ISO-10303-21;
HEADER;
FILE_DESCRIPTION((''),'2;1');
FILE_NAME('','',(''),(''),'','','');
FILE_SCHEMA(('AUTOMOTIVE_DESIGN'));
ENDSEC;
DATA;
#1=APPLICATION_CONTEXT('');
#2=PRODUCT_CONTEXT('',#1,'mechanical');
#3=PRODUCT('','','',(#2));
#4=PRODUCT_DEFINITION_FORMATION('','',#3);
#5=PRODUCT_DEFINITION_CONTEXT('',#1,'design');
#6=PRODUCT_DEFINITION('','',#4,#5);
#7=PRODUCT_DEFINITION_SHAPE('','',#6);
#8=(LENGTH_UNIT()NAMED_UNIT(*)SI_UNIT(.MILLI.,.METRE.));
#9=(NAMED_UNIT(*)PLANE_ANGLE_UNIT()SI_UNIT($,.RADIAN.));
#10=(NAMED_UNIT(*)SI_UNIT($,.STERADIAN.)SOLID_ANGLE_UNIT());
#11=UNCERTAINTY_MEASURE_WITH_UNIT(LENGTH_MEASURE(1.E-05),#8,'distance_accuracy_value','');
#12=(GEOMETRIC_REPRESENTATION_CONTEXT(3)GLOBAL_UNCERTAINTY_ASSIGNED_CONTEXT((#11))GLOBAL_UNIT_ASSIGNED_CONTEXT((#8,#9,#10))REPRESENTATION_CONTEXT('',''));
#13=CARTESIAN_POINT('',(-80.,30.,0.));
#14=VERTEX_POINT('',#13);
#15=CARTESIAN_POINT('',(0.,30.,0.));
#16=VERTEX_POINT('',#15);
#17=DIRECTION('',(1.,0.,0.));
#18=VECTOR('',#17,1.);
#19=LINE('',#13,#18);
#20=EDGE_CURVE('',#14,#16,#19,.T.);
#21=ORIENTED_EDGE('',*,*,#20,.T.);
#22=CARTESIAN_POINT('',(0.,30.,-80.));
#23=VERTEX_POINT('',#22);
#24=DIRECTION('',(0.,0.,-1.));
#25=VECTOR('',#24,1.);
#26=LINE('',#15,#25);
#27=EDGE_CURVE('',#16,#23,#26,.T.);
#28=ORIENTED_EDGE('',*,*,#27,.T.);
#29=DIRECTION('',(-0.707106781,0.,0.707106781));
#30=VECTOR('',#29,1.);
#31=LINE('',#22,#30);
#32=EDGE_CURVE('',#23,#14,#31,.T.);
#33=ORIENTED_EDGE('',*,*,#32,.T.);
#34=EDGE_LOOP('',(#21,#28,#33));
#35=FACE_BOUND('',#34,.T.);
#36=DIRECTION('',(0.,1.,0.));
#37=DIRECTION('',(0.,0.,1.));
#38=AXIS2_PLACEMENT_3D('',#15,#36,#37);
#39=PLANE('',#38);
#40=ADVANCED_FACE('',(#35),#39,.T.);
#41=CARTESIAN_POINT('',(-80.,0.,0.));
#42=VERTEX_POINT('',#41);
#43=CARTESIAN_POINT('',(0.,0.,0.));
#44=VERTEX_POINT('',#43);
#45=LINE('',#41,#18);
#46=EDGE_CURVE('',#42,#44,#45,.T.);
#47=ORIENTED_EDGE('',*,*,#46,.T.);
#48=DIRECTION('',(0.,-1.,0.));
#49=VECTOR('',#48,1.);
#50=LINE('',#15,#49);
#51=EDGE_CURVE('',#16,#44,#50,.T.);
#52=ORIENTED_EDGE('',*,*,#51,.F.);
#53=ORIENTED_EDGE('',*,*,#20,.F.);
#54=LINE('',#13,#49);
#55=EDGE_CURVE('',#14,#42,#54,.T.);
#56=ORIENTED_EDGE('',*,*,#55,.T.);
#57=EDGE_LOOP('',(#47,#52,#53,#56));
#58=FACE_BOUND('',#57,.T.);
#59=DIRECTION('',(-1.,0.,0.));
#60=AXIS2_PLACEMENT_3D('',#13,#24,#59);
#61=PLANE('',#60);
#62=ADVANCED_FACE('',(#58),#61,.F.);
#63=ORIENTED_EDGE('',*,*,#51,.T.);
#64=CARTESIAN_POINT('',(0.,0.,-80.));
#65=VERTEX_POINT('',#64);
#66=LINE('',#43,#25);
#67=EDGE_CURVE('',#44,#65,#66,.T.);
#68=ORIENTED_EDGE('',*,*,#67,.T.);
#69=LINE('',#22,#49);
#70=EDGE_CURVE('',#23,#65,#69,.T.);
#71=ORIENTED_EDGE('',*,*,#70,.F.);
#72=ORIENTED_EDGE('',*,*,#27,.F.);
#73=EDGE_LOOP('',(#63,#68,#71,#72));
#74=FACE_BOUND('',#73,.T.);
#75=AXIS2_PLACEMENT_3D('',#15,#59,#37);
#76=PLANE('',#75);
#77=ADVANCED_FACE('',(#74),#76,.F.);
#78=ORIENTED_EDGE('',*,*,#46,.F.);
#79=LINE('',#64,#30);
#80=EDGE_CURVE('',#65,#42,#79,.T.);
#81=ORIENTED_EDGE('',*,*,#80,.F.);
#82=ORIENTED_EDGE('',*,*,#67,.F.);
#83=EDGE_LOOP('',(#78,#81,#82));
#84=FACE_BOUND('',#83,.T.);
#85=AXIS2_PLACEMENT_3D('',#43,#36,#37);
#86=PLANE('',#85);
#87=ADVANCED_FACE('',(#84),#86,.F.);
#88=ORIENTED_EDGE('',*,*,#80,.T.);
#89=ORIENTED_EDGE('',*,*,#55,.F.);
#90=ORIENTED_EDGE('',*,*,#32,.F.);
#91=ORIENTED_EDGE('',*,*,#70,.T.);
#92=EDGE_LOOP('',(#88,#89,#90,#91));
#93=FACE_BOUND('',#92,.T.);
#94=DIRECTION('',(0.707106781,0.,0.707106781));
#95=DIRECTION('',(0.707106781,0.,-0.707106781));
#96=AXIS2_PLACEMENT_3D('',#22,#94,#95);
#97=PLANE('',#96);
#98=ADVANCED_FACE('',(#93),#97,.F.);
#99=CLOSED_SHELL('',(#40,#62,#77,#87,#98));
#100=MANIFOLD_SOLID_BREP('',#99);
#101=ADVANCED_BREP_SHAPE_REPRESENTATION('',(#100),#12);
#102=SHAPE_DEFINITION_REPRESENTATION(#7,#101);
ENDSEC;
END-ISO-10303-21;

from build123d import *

# Parameters (mm, degrees)
BOSS_EXTRUDE1_DEPTH = 30


with BuildPart() as part:
    # Sketch1 → Boss-Extrude1 (new body)
    with BuildSketch(Plane(origin=(0, 0, 0), x_dir=(1, 0, 0), z_dir=(0, 1, 0))):
        Polygon((0, 0), (0, 80), (-80, 0), align=None)
    extrude(amount=BOSS_EXTRUDE1_DEPTH)


solid = part.part
